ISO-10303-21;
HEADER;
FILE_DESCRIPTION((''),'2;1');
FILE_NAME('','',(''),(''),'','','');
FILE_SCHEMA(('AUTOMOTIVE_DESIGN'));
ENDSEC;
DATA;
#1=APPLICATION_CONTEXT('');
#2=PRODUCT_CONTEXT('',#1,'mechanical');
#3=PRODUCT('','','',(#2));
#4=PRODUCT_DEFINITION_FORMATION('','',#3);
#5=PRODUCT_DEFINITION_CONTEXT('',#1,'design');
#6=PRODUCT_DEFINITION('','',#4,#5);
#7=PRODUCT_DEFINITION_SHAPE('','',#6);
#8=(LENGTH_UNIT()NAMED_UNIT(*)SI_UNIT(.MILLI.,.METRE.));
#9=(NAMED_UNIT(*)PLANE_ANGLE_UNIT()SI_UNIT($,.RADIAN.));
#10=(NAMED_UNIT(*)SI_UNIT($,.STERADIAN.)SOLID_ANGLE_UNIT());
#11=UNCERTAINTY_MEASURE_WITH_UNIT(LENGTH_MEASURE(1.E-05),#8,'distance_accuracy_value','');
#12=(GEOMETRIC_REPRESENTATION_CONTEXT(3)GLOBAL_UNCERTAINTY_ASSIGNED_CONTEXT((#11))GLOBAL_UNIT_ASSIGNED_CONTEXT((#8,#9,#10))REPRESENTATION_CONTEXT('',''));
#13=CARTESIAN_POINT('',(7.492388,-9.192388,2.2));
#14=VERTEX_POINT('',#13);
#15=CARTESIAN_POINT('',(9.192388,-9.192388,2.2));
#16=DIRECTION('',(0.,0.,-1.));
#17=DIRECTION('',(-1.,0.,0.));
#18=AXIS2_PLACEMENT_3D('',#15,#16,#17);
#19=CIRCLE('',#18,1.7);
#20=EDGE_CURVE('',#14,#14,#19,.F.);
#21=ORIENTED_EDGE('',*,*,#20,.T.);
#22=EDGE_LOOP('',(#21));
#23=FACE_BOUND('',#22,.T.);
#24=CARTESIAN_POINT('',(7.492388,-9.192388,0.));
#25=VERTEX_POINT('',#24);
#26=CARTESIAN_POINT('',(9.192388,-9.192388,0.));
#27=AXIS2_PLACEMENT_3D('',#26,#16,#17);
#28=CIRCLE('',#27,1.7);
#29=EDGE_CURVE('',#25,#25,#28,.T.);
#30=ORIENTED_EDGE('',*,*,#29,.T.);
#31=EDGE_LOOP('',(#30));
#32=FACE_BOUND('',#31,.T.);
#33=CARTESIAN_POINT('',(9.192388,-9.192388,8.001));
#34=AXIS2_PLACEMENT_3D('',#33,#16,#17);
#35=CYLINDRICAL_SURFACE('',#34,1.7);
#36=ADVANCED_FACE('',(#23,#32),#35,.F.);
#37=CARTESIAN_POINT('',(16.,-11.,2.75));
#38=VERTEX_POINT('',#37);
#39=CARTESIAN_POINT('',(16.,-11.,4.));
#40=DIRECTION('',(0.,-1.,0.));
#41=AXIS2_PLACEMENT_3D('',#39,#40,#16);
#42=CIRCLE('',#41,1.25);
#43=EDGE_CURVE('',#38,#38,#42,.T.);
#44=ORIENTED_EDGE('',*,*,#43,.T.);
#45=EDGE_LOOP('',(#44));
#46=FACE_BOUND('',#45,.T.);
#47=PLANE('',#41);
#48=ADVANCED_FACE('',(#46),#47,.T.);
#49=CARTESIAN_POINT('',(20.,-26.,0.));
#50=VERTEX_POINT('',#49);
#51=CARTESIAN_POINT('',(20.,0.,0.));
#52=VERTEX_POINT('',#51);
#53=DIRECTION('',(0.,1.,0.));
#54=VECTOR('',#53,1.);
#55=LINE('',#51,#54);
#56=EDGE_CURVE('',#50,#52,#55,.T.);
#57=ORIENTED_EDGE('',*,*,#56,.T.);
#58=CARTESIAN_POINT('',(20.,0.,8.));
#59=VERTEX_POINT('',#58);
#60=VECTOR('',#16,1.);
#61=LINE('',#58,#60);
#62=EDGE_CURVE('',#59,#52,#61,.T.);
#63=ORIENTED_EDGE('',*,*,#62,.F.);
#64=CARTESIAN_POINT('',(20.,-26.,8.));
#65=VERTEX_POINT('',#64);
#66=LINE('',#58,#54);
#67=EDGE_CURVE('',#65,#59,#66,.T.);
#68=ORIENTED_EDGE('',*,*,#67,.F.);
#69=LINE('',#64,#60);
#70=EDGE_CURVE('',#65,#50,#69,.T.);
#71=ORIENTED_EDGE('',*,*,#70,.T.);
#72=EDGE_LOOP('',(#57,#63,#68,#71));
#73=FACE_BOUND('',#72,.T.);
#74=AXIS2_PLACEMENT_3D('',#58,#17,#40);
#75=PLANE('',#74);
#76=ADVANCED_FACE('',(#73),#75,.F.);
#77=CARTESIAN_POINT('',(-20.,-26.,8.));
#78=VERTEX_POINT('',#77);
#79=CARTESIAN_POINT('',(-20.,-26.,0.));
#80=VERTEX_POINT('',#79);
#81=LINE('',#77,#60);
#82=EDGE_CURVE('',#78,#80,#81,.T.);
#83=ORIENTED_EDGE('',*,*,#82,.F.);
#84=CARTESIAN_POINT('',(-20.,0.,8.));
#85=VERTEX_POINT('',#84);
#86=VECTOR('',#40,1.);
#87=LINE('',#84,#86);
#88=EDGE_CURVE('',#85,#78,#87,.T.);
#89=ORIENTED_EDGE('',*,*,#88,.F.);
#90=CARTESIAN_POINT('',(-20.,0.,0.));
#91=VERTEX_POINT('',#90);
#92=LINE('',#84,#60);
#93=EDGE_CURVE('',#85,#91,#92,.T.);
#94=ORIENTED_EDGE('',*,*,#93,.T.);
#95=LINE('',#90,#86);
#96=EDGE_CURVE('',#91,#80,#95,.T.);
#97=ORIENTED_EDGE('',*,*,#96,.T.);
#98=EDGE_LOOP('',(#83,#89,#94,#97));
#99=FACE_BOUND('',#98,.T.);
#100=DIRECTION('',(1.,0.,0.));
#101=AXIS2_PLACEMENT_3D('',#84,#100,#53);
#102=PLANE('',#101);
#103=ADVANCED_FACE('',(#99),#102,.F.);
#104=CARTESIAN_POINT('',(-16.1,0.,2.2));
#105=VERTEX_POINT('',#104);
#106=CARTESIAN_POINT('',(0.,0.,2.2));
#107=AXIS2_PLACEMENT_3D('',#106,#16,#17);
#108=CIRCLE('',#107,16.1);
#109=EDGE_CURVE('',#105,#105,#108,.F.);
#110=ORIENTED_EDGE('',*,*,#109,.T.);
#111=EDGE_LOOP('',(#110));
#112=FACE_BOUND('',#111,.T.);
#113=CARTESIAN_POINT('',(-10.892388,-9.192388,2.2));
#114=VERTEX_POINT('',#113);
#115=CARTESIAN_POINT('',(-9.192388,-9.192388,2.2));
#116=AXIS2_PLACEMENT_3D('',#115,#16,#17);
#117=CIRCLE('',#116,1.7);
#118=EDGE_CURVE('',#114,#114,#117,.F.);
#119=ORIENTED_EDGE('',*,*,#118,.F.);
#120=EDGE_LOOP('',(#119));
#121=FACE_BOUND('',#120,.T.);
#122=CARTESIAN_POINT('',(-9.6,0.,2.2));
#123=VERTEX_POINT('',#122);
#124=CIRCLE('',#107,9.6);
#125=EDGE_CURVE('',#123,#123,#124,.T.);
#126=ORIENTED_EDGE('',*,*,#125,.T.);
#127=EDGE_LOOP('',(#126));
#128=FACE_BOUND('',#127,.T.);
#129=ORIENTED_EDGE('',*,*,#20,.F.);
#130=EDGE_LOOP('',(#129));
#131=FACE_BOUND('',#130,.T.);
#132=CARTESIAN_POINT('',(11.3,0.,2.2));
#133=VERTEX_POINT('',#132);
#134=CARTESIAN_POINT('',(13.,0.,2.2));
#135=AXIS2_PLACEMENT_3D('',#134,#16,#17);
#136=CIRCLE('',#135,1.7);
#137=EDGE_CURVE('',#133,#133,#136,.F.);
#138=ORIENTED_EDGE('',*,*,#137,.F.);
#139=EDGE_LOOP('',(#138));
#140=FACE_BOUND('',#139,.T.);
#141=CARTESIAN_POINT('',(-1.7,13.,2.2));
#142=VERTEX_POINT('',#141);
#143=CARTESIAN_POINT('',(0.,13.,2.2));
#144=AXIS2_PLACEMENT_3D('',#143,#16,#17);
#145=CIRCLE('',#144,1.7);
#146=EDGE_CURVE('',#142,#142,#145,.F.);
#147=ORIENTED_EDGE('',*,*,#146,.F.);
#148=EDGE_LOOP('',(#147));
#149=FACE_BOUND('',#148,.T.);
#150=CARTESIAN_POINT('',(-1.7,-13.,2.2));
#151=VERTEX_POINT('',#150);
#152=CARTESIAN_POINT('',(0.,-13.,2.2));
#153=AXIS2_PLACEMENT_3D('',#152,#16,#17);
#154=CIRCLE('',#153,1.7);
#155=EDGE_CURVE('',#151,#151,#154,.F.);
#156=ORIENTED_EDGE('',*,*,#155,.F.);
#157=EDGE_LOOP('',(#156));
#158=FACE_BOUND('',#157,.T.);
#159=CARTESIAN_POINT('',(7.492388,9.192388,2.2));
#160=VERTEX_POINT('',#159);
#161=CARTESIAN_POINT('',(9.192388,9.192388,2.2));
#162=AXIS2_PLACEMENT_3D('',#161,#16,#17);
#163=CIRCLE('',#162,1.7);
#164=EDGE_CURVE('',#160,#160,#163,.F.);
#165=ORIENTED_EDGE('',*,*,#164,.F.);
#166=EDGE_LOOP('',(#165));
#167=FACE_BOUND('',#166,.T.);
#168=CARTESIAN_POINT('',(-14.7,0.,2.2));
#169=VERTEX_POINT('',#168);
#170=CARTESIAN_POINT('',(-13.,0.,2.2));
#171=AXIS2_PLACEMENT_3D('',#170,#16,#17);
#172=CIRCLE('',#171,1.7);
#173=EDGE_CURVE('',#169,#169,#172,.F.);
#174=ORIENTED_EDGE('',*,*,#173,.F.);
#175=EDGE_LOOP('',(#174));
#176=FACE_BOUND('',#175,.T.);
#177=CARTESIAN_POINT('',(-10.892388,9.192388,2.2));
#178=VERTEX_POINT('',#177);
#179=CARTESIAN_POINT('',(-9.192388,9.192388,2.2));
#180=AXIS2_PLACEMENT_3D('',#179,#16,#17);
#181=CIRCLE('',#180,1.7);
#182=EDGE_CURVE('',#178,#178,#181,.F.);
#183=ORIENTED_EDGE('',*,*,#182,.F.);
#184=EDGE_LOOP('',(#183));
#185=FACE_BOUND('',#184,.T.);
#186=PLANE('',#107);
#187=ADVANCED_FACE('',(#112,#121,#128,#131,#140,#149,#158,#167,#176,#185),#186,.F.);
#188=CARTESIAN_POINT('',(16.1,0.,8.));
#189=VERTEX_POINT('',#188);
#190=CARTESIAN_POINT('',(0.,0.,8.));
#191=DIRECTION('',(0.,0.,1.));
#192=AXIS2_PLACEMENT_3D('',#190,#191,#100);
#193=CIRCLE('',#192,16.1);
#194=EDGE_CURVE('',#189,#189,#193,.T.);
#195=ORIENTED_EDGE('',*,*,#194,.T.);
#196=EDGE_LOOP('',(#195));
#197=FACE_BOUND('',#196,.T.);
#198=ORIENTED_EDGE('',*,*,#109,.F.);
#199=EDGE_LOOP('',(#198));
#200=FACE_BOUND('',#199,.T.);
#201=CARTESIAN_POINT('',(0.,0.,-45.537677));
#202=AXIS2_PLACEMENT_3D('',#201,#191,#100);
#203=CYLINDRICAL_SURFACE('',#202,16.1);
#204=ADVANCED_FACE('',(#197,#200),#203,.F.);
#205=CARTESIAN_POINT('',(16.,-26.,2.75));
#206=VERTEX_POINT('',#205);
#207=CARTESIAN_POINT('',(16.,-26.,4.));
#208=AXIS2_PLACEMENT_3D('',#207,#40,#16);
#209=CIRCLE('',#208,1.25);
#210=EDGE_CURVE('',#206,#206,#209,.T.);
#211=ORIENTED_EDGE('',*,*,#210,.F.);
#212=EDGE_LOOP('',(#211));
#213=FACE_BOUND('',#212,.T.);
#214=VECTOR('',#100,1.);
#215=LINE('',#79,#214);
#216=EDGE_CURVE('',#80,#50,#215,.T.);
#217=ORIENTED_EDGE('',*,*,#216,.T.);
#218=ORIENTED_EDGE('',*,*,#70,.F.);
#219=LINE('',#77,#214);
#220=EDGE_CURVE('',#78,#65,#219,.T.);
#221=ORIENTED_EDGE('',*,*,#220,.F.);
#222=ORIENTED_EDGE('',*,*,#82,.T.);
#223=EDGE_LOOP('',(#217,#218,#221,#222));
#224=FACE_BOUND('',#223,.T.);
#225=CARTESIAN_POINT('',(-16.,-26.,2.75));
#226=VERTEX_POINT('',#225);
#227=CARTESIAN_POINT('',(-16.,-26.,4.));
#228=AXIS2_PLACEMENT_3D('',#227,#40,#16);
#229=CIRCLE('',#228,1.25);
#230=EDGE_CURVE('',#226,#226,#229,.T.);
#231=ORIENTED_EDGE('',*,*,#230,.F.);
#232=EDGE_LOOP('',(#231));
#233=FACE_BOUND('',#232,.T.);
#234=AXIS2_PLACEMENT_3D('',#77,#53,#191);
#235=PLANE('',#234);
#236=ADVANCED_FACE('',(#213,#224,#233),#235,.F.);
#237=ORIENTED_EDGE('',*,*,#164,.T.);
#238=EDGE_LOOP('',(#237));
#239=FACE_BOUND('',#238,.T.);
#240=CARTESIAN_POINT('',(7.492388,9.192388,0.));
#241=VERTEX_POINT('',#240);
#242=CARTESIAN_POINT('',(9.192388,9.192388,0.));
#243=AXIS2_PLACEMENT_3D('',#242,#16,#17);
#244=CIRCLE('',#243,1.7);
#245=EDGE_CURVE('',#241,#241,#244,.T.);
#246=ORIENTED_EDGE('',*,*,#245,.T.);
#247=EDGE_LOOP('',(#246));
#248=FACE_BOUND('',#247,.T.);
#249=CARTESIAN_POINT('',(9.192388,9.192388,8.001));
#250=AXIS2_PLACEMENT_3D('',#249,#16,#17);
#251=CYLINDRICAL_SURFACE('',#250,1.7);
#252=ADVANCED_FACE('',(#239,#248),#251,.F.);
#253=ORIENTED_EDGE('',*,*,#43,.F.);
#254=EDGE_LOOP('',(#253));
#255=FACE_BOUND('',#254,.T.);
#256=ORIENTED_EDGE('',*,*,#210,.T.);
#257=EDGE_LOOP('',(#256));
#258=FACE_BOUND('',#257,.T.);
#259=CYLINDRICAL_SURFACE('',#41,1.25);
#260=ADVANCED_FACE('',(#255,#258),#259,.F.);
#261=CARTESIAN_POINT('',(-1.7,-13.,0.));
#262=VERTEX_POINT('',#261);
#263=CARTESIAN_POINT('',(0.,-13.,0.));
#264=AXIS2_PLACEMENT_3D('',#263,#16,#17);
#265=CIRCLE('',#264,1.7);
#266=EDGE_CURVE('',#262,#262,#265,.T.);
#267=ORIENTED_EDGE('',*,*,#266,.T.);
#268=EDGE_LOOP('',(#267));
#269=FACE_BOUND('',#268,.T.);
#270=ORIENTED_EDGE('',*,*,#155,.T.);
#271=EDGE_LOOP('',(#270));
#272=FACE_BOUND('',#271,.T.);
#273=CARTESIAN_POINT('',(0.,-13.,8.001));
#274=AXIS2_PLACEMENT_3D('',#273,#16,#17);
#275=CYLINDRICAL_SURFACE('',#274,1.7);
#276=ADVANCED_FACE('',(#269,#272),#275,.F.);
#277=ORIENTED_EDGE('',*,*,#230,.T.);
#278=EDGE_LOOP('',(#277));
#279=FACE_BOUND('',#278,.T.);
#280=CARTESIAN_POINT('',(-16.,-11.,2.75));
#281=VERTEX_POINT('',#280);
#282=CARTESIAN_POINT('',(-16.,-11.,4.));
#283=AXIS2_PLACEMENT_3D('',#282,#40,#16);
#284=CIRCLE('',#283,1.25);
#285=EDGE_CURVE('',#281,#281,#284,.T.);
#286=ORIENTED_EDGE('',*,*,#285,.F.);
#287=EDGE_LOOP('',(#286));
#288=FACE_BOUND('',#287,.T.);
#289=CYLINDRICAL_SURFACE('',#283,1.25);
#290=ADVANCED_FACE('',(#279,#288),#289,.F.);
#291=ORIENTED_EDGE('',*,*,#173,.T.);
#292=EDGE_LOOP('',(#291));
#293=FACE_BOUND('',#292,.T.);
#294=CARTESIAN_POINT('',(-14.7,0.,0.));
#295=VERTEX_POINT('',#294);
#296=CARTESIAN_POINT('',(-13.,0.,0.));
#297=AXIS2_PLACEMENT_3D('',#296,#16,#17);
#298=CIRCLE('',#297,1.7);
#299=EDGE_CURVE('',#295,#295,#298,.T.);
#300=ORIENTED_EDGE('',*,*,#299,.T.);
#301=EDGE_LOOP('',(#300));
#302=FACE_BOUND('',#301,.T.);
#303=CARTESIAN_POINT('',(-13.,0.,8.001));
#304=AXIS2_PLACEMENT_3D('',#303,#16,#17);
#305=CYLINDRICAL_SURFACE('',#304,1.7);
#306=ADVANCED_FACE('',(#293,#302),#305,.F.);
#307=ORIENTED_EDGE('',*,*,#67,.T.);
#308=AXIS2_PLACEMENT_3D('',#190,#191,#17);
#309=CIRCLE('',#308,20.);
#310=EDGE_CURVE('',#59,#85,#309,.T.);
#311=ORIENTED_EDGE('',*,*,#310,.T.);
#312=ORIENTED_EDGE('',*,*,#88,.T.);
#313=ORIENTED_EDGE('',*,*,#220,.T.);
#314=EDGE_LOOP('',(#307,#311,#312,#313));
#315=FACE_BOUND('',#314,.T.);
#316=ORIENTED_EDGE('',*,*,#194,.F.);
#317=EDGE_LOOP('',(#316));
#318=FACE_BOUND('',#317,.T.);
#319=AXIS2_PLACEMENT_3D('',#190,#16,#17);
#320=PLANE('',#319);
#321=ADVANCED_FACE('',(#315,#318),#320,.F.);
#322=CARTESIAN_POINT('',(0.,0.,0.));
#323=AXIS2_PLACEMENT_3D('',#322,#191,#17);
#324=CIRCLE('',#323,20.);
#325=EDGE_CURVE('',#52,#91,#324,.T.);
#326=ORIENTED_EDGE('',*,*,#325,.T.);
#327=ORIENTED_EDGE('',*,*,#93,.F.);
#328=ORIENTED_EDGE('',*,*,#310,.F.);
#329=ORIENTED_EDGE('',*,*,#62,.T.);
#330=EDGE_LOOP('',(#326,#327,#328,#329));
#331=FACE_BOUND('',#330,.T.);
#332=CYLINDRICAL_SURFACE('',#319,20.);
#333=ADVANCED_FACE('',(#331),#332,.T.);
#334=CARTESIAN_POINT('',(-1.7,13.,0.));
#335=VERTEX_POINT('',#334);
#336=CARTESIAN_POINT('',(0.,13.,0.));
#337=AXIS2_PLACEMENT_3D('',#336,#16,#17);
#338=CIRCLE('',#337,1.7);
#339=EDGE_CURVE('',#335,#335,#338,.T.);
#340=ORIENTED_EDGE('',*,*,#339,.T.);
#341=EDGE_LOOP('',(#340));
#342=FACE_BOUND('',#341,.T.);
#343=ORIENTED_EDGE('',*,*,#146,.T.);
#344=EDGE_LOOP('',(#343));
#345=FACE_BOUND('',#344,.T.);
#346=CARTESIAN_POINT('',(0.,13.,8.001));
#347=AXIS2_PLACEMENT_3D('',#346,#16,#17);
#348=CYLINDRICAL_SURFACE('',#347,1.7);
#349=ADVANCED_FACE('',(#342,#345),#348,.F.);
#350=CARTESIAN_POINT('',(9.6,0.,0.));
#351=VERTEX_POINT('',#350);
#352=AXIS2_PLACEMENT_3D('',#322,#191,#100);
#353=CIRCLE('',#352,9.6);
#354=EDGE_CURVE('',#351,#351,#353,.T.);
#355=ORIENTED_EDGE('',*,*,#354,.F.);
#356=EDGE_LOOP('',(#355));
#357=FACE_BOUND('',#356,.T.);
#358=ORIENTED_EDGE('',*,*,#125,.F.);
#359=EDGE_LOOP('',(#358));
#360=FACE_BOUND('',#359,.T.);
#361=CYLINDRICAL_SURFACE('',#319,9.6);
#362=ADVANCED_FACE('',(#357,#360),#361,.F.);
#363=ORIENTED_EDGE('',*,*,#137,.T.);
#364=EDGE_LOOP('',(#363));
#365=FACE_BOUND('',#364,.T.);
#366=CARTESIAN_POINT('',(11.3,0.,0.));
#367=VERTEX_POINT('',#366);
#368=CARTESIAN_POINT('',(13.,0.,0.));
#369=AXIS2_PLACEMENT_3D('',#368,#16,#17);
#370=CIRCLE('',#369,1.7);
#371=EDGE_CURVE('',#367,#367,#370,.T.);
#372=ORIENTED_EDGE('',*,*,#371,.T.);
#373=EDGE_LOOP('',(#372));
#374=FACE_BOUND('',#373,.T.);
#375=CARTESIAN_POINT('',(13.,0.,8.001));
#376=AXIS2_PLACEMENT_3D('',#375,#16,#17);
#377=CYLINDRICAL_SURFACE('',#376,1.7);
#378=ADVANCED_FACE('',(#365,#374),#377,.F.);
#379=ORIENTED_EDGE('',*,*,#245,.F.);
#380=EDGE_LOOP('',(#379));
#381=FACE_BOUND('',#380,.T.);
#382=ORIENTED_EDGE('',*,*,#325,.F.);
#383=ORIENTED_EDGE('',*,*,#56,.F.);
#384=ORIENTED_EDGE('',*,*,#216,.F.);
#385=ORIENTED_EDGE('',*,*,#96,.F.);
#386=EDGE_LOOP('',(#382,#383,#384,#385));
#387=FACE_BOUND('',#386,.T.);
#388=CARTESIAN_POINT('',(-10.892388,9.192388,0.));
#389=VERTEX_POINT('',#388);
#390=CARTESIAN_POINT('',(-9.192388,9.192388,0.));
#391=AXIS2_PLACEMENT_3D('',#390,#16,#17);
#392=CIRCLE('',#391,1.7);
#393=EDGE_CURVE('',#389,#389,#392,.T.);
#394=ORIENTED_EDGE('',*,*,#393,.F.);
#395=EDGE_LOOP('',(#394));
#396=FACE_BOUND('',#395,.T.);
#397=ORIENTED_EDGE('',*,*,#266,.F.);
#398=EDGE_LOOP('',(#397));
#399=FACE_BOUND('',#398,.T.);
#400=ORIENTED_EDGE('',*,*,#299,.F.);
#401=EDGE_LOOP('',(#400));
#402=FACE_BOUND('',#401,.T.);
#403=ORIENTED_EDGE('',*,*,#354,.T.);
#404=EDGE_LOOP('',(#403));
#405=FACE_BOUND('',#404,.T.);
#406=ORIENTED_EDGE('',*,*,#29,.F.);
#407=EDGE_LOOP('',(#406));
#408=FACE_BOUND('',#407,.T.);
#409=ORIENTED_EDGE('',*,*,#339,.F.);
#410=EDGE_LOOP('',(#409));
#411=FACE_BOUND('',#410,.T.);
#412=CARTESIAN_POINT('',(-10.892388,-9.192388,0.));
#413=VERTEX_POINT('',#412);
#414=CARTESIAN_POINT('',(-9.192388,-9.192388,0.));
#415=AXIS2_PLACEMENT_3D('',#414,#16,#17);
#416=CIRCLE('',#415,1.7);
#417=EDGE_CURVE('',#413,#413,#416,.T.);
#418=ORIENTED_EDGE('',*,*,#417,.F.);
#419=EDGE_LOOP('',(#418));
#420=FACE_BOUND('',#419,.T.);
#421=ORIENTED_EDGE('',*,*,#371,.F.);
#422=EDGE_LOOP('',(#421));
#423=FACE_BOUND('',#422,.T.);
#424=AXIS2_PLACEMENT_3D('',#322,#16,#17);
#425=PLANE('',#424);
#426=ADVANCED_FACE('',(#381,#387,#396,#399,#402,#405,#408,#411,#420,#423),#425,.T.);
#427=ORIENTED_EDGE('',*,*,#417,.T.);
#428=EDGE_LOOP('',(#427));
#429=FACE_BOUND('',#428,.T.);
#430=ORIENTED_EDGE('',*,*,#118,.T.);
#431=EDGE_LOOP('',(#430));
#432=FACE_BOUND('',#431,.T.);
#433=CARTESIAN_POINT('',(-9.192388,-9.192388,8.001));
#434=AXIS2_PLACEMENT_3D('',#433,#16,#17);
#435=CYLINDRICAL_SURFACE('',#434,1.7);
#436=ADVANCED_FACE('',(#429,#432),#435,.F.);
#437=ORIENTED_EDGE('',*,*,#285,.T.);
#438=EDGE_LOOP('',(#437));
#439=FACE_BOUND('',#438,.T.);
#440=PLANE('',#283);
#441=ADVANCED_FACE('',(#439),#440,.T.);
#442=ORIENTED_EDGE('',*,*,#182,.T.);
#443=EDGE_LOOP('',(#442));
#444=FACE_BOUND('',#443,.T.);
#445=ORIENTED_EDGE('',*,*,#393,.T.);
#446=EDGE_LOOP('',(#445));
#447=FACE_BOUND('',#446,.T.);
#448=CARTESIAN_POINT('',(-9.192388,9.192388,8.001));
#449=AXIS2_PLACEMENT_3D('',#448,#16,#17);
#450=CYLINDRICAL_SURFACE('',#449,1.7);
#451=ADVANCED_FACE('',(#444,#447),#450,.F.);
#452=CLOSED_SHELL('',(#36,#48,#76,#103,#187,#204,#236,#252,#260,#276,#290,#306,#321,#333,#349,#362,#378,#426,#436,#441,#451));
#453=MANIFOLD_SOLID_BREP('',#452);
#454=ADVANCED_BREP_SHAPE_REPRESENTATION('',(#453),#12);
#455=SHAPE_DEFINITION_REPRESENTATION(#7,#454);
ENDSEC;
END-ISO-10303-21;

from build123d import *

# Parameters (mm, degrees)
ESQUISSE1_R             = 9.6
BOSS_EXTRU_1_DEPTH      = 8
ESQUISSE2_R             = 16.1
ENL_V_MAT_EXTRU_1_DEPTH = 5.8
ENL_V_MAT_EXTRU_2_REACH = 10
ESQUISSE3_R             = 1.7
ESQUISSE4_R             = 1.25
ENL_V_MAT_EXTRU_3_DEPTH = 15


with BuildPart() as part:
    # Esquisse1 → Boss.-Extru.1 (new body)
    with BuildSketch(Plane.XY):
        with BuildLine():
            Line((-20, 0), (-20, -26))
            Line((-20, -26), (20, -26))
            Line((20, -26), (20, 0))
            ThreePointArc((20, 0), (0, 20), (-20, 0))
        make_face()
        Circle(ESQUISSE1_R, mode=Mode.SUBTRACT)
    extrude(amount=BOSS_EXTRU_1_DEPTH)

    # Esquisse2 → Enlèv. mat.-Extru.1 (cut)
    with BuildSketch(Plane.XY.offset(8)):
        Circle(ESQUISSE2_R)
    extrude(amount=-ENL_V_MAT_EXTRU_1_DEPTH, mode=Mode.SUBTRACT)

    # Esquisse3 → Enlèv. mat.-Extru.2 (cut, up to next)
    with BuildSketch(Plane(origin=(0, 0, 0), x_dir=(-1, 0, 0), z_dir=(0, 0, -1)), mode=Mode.PRIVATE) as enl_v_mat_extru_2_sk1:
        with Locations((0, 13)):
            Circle(ESQUISSE3_R)
    enl_v_mat_extru_2_tool1 = extrude(enl_v_mat_extru_2_sk1.sketch, amount=-ENL_V_MAT_EXTRU_2_REACH, mode=Mode.PRIVATE) & part.part
    add(enl_v_mat_extru_2_tool1.solids().sort_by_distance((0, 13, 0))[0], mode=Mode.SUBTRACT)
    # Esquisse3 → Enlèv. mat.-Extru.2 (cut, up to next)
    with BuildSketch(Plane(origin=(0, 0, 0), x_dir=(-1, 0, 0), z_dir=(0, 0, -1)), mode=Mode.PRIVATE) as enl_v_mat_extru_2_sk2:
        with Locations((9.192388155, 9.192388155)):
            Circle(ESQUISSE3_R)
    enl_v_mat_extru_2_tool2 = extrude(enl_v_mat_extru_2_sk2.sketch, amount=-ENL_V_MAT_EXTRU_2_REACH, mode=Mode.PRIVATE) & part.part
    add(enl_v_mat_extru_2_tool2.solids().sort_by_distance((-9.192388, 9.192388, 0))[0], mode=Mode.SUBTRACT)
    # Esquisse3 → Enlèv. mat.-Extru.2 (cut, up to next)
    with BuildSketch(Plane(origin=(0, 0, 0), x_dir=(-1, 0, 0), z_dir=(0, 0, -1)), mode=Mode.PRIVATE) as enl_v_mat_extru_2_sk3:
        with Locations((13, 0)):
            Circle(ESQUISSE3_R)
    enl_v_mat_extru_2_tool3 = extrude(enl_v_mat_extru_2_sk3.sketch, amount=-ENL_V_MAT_EXTRU_2_REACH, mode=Mode.PRIVATE) & part.part
    add(enl_v_mat_extru_2_tool3.solids().sort_by_distance((-13, 0, 0))[0], mode=Mode.SUBTRACT)
    # Esquisse3 → Enlèv. mat.-Extru.2 (cut, up to next)
    with BuildSketch(Plane(origin=(0, 0, 0), x_dir=(-1, 0, 0), z_dir=(0, 0, -1)), mode=Mode.PRIVATE) as enl_v_mat_extru_2_sk4:
        with Locations((9.192388155, -9.192388155)):
            Circle(ESQUISSE3_R)
    enl_v_mat_extru_2_tool4 = extrude(enl_v_mat_extru_2_sk4.sketch, amount=-ENL_V_MAT_EXTRU_2_REACH, mode=Mode.PRIVATE) & part.part
    add(enl_v_mat_extru_2_tool4.solids().sort_by_distance((-9.192388, -9.192388, 0))[0], mode=Mode.SUBTRACT)
    # Esquisse3 → Enlèv. mat.-Extru.2 (cut, up to next)
    with BuildSketch(Plane(origin=(0, 0, 0), x_dir=(-1, 0, 0), z_dir=(0, 0, -1)), mode=Mode.PRIVATE) as enl_v_mat_extru_2_sk5:
        with Locations((0, -13)):
            Circle(ESQUISSE3_R)
    enl_v_mat_extru_2_tool5 = extrude(enl_v_mat_extru_2_sk5.sketch, amount=-ENL_V_MAT_EXTRU_2_REACH, mode=Mode.PRIVATE) & part.part
    add(enl_v_mat_extru_2_tool5.solids().sort_by_distance((0, -13, 0))[0], mode=Mode.SUBTRACT)
    # Esquisse3 → Enlèv. mat.-Extru.2 (cut, up to next)
    with BuildSketch(Plane(origin=(0, 0, 0), x_dir=(-1, 0, 0), z_dir=(0, 0, -1)), mode=Mode.PRIVATE) as enl_v_mat_extru_2_sk6:
        with Locations((-9.192388155, -9.192388155)):
            Circle(ESQUISSE3_R)
    enl_v_mat_extru_2_tool6 = extrude(enl_v_mat_extru_2_sk6.sketch, amount=-ENL_V_MAT_EXTRU_2_REACH, mode=Mode.PRIVATE) & part.part
    add(enl_v_mat_extru_2_tool6.solids().sort_by_distance((9.192388, -9.192388, 0))[0], mode=Mode.SUBTRACT)
    # Esquisse3 → Enlèv. mat.-Extru.2 (cut, up to next)
    with BuildSketch(Plane(origin=(0, 0, 0), x_dir=(-1, 0, 0), z_dir=(0, 0, -1)), mode=Mode.PRIVATE) as enl_v_mat_extru_2_sk7:
        with Locations((-13, 0)):
            Circle(ESQUISSE3_R)
    enl_v_mat_extru_2_tool7 = extrude(enl_v_mat_extru_2_sk7.sketch, amount=-ENL_V_MAT_EXTRU_2_REACH, mode=Mode.PRIVATE) & part.part
    add(enl_v_mat_extru_2_tool7.solids().sort_by_distance((13, 0, 0))[0], mode=Mode.SUBTRACT)
    # Esquisse3 → Enlèv. mat.-Extru.2 (cut, up to next)
    with BuildSketch(Plane(origin=(0, 0, 0), x_dir=(-1, 0, 0), z_dir=(0, 0, -1)), mode=Mode.PRIVATE) as enl_v_mat_extru_2_sk8:
        with Locations((-9.192388155, 9.192388155)):
            Circle(ESQUISSE3_R)
    enl_v_mat_extru_2_tool8 = extrude(enl_v_mat_extru_2_sk8.sketch, amount=-ENL_V_MAT_EXTRU_2_REACH, mode=Mode.PRIVATE) & part.part
    add(enl_v_mat_extru_2_tool8.solids().sort_by_distance((9.192388, 9.192388, 0))[0], mode=Mode.SUBTRACT)

    # Esquisse4 → Enlèv. mat.-Extru.3 (cut)
    with BuildSketch(Plane.XZ.offset(26)):
        with Locations((-16, 4)):
            Circle(ESQUISSE4_R)
        with Locations((16, 4)):
            Circle(ESQUISSE4_R)
    extrude(amount=-ENL_V_MAT_EXTRU_3_DEPTH, mode=Mode.SUBTRACT)


solid = part.part
